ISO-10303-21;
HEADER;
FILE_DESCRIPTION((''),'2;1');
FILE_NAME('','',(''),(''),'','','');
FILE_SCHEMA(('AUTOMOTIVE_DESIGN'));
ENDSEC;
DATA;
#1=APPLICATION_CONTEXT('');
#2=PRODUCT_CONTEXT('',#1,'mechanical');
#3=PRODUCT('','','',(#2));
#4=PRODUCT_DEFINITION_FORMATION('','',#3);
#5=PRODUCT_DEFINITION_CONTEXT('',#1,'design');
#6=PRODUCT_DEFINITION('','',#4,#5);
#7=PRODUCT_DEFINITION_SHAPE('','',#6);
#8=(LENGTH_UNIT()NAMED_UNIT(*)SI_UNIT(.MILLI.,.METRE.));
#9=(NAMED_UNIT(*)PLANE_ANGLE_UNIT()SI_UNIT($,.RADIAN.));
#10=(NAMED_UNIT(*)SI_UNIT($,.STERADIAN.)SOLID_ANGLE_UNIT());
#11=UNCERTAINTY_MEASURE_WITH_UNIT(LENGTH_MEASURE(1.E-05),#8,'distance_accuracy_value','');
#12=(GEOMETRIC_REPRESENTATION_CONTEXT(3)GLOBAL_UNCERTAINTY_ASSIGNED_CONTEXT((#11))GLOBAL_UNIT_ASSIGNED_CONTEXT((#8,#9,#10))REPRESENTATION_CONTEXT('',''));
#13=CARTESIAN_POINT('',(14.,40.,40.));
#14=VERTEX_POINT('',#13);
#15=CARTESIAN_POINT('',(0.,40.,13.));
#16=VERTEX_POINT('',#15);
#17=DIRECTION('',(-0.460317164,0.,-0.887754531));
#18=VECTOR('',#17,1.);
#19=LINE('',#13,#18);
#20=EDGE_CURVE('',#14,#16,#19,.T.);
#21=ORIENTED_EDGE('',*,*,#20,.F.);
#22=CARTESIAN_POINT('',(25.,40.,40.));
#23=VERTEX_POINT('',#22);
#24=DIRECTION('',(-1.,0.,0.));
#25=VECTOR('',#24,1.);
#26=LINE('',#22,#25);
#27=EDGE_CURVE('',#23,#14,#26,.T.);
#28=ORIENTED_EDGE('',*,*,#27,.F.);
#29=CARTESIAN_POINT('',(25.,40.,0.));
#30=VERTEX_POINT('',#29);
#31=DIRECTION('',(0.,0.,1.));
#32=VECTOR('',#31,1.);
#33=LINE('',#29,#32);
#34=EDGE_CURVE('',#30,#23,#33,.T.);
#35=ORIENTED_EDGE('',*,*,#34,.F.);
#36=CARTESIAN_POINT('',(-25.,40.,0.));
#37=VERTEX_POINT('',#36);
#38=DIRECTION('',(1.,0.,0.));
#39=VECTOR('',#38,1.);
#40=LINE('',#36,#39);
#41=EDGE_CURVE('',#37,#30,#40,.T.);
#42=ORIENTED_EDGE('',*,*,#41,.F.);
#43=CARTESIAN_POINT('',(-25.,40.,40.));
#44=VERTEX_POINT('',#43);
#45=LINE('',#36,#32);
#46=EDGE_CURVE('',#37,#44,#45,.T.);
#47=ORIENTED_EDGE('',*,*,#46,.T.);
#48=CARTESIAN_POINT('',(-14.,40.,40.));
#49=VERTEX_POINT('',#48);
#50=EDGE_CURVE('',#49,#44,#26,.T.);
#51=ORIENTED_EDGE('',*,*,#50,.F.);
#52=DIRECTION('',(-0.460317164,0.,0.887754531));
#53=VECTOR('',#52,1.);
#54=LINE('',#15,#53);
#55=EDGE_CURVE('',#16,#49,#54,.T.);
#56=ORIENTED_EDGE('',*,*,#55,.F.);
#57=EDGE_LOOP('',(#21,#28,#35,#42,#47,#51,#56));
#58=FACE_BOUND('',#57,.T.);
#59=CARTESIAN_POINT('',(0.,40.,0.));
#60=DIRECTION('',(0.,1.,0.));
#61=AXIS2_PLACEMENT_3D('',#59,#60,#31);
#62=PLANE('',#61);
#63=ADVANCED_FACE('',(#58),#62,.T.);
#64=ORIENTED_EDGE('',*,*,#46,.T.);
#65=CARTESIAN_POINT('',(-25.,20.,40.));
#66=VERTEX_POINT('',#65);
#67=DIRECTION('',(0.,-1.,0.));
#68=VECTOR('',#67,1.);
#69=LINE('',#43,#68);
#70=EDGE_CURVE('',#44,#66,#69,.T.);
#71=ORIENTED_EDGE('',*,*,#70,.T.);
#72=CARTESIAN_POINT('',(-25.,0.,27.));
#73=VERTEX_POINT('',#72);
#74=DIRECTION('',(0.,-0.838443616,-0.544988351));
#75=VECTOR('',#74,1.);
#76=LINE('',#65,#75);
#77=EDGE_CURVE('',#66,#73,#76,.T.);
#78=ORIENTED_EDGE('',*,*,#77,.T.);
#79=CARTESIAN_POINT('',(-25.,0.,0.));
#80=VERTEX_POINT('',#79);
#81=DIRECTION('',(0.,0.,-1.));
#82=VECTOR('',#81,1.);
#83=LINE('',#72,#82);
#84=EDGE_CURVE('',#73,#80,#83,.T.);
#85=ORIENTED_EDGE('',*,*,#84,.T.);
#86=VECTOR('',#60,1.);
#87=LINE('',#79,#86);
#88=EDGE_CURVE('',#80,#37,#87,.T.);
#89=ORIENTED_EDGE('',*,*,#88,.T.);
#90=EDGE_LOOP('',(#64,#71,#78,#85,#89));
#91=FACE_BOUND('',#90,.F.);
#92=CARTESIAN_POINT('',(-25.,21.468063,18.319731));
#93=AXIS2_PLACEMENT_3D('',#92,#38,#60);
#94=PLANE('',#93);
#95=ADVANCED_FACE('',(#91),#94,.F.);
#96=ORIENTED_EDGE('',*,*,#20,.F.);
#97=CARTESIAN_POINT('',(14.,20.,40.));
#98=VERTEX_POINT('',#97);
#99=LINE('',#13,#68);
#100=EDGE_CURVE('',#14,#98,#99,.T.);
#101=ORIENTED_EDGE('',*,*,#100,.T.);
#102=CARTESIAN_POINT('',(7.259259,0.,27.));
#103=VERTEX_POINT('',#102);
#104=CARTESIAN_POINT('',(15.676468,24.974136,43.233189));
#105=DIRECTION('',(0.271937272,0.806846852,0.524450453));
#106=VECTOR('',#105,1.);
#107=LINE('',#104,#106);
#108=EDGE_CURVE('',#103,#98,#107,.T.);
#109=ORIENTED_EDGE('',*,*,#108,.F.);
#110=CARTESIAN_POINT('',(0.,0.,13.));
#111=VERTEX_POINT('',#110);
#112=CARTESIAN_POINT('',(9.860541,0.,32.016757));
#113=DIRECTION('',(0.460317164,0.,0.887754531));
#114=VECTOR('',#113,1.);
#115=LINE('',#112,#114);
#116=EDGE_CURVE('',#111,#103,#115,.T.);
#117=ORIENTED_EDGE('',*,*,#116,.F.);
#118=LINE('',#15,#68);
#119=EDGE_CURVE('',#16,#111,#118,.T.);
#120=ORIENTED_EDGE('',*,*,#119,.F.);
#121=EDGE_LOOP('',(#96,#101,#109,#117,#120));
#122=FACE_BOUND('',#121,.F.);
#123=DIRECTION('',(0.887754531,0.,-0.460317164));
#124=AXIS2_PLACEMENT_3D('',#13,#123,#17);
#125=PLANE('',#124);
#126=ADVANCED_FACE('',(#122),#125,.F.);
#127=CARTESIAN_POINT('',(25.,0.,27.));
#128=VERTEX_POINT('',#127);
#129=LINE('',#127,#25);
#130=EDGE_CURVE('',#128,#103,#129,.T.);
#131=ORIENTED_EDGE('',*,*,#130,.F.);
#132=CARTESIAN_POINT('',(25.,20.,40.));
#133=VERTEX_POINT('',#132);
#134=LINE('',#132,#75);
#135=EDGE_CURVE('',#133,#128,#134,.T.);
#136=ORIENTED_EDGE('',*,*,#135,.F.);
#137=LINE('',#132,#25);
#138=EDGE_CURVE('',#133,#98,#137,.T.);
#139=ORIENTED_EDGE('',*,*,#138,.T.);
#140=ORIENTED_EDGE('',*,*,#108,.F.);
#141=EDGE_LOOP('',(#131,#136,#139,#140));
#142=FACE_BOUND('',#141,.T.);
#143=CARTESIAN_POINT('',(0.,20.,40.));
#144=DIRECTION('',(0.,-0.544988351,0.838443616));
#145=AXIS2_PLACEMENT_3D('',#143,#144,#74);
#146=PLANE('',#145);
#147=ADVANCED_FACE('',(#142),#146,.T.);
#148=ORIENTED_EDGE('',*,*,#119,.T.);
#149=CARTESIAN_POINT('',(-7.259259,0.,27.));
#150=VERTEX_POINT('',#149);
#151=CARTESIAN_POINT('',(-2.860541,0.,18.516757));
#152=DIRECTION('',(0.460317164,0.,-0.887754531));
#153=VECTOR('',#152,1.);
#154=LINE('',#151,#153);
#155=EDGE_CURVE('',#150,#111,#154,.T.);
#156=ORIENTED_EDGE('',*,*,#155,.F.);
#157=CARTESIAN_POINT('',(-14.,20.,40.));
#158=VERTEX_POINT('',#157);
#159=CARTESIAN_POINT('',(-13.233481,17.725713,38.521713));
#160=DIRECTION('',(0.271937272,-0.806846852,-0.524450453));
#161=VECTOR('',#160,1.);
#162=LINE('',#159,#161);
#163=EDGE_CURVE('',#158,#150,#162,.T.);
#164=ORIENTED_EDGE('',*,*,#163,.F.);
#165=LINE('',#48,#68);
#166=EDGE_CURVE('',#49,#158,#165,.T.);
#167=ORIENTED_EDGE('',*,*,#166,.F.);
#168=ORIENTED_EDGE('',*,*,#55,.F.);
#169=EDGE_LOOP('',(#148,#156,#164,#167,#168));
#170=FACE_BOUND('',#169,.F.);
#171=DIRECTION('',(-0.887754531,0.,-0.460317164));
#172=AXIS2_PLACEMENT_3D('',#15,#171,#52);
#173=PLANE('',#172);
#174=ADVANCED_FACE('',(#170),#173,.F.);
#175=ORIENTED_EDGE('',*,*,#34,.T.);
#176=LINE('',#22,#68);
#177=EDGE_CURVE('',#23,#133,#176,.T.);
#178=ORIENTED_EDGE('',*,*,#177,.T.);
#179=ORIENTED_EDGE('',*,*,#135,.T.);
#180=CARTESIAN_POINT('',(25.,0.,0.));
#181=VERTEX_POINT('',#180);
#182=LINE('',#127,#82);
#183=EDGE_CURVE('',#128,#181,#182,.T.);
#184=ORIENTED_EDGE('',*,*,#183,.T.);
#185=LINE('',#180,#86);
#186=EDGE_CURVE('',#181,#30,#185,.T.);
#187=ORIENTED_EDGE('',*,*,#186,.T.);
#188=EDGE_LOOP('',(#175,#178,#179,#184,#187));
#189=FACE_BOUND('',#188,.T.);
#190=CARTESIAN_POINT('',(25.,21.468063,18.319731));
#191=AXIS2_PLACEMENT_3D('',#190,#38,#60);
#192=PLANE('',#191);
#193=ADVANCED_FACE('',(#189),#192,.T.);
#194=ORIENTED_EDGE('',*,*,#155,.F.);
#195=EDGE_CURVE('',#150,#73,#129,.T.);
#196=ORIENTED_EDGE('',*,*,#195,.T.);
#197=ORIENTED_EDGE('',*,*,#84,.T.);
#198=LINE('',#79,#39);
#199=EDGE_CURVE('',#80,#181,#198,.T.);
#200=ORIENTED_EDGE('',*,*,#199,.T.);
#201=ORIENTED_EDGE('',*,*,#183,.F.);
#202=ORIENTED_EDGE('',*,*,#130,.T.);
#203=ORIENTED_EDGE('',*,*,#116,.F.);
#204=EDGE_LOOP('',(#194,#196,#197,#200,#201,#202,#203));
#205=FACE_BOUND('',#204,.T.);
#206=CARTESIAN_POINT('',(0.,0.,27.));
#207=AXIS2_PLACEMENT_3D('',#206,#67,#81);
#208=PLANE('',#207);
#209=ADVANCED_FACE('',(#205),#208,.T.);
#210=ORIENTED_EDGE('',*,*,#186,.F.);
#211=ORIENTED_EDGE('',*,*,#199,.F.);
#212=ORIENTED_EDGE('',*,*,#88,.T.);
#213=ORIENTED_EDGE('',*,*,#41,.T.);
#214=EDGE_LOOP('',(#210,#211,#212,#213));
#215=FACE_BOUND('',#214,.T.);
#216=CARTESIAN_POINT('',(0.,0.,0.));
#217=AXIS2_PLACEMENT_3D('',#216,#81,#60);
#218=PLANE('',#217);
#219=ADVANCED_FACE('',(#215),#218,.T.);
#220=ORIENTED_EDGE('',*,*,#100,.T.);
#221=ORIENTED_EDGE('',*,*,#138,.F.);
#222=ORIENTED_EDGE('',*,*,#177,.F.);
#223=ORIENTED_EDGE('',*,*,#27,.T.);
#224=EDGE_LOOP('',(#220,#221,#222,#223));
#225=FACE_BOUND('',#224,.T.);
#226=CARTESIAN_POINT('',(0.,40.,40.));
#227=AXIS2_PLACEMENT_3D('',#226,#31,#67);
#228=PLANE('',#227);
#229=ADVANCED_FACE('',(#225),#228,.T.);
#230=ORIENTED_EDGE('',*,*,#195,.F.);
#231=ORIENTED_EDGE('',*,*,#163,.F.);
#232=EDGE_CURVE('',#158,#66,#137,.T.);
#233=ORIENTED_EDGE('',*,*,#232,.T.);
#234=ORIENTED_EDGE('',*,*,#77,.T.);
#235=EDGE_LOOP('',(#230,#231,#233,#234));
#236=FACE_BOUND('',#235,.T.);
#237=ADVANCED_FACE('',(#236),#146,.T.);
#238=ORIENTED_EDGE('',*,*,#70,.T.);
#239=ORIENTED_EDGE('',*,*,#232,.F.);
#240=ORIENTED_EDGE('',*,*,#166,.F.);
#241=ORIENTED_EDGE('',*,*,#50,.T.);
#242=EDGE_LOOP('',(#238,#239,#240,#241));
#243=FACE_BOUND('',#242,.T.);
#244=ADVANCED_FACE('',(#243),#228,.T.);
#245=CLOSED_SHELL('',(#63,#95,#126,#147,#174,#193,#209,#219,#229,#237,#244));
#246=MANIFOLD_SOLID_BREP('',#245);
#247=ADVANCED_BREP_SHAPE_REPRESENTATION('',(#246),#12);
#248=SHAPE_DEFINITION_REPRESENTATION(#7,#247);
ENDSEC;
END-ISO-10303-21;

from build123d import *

# Parameters (mm, degrees)
F1_DEPTH = 25
F3_DEPTH = 40.001


with BuildPart() as f1:
    # F0 (on Right) → F1 (new body, symmetric)
    with BuildSketch(Plane.YZ):
        Polygon((0, 27), (0, 0), (40, 0), (40, 40), (20, 40), align=None)
    extrude(amount=F1_DEPTH, both=True)

    # F2 (on face) → F3 (cut, through all)
    with BuildSketch(Plane(origin=(0, 40, 0), x_dir=(-1, 0, 0), z_dir=(0, 1, 0))):
        Polygon((14, 40), (-14, 40), (0, 13), align=None)
    extrude(amount=-F3_DEPTH, mode=Mode.SUBTRACT)


solid = f1.part
